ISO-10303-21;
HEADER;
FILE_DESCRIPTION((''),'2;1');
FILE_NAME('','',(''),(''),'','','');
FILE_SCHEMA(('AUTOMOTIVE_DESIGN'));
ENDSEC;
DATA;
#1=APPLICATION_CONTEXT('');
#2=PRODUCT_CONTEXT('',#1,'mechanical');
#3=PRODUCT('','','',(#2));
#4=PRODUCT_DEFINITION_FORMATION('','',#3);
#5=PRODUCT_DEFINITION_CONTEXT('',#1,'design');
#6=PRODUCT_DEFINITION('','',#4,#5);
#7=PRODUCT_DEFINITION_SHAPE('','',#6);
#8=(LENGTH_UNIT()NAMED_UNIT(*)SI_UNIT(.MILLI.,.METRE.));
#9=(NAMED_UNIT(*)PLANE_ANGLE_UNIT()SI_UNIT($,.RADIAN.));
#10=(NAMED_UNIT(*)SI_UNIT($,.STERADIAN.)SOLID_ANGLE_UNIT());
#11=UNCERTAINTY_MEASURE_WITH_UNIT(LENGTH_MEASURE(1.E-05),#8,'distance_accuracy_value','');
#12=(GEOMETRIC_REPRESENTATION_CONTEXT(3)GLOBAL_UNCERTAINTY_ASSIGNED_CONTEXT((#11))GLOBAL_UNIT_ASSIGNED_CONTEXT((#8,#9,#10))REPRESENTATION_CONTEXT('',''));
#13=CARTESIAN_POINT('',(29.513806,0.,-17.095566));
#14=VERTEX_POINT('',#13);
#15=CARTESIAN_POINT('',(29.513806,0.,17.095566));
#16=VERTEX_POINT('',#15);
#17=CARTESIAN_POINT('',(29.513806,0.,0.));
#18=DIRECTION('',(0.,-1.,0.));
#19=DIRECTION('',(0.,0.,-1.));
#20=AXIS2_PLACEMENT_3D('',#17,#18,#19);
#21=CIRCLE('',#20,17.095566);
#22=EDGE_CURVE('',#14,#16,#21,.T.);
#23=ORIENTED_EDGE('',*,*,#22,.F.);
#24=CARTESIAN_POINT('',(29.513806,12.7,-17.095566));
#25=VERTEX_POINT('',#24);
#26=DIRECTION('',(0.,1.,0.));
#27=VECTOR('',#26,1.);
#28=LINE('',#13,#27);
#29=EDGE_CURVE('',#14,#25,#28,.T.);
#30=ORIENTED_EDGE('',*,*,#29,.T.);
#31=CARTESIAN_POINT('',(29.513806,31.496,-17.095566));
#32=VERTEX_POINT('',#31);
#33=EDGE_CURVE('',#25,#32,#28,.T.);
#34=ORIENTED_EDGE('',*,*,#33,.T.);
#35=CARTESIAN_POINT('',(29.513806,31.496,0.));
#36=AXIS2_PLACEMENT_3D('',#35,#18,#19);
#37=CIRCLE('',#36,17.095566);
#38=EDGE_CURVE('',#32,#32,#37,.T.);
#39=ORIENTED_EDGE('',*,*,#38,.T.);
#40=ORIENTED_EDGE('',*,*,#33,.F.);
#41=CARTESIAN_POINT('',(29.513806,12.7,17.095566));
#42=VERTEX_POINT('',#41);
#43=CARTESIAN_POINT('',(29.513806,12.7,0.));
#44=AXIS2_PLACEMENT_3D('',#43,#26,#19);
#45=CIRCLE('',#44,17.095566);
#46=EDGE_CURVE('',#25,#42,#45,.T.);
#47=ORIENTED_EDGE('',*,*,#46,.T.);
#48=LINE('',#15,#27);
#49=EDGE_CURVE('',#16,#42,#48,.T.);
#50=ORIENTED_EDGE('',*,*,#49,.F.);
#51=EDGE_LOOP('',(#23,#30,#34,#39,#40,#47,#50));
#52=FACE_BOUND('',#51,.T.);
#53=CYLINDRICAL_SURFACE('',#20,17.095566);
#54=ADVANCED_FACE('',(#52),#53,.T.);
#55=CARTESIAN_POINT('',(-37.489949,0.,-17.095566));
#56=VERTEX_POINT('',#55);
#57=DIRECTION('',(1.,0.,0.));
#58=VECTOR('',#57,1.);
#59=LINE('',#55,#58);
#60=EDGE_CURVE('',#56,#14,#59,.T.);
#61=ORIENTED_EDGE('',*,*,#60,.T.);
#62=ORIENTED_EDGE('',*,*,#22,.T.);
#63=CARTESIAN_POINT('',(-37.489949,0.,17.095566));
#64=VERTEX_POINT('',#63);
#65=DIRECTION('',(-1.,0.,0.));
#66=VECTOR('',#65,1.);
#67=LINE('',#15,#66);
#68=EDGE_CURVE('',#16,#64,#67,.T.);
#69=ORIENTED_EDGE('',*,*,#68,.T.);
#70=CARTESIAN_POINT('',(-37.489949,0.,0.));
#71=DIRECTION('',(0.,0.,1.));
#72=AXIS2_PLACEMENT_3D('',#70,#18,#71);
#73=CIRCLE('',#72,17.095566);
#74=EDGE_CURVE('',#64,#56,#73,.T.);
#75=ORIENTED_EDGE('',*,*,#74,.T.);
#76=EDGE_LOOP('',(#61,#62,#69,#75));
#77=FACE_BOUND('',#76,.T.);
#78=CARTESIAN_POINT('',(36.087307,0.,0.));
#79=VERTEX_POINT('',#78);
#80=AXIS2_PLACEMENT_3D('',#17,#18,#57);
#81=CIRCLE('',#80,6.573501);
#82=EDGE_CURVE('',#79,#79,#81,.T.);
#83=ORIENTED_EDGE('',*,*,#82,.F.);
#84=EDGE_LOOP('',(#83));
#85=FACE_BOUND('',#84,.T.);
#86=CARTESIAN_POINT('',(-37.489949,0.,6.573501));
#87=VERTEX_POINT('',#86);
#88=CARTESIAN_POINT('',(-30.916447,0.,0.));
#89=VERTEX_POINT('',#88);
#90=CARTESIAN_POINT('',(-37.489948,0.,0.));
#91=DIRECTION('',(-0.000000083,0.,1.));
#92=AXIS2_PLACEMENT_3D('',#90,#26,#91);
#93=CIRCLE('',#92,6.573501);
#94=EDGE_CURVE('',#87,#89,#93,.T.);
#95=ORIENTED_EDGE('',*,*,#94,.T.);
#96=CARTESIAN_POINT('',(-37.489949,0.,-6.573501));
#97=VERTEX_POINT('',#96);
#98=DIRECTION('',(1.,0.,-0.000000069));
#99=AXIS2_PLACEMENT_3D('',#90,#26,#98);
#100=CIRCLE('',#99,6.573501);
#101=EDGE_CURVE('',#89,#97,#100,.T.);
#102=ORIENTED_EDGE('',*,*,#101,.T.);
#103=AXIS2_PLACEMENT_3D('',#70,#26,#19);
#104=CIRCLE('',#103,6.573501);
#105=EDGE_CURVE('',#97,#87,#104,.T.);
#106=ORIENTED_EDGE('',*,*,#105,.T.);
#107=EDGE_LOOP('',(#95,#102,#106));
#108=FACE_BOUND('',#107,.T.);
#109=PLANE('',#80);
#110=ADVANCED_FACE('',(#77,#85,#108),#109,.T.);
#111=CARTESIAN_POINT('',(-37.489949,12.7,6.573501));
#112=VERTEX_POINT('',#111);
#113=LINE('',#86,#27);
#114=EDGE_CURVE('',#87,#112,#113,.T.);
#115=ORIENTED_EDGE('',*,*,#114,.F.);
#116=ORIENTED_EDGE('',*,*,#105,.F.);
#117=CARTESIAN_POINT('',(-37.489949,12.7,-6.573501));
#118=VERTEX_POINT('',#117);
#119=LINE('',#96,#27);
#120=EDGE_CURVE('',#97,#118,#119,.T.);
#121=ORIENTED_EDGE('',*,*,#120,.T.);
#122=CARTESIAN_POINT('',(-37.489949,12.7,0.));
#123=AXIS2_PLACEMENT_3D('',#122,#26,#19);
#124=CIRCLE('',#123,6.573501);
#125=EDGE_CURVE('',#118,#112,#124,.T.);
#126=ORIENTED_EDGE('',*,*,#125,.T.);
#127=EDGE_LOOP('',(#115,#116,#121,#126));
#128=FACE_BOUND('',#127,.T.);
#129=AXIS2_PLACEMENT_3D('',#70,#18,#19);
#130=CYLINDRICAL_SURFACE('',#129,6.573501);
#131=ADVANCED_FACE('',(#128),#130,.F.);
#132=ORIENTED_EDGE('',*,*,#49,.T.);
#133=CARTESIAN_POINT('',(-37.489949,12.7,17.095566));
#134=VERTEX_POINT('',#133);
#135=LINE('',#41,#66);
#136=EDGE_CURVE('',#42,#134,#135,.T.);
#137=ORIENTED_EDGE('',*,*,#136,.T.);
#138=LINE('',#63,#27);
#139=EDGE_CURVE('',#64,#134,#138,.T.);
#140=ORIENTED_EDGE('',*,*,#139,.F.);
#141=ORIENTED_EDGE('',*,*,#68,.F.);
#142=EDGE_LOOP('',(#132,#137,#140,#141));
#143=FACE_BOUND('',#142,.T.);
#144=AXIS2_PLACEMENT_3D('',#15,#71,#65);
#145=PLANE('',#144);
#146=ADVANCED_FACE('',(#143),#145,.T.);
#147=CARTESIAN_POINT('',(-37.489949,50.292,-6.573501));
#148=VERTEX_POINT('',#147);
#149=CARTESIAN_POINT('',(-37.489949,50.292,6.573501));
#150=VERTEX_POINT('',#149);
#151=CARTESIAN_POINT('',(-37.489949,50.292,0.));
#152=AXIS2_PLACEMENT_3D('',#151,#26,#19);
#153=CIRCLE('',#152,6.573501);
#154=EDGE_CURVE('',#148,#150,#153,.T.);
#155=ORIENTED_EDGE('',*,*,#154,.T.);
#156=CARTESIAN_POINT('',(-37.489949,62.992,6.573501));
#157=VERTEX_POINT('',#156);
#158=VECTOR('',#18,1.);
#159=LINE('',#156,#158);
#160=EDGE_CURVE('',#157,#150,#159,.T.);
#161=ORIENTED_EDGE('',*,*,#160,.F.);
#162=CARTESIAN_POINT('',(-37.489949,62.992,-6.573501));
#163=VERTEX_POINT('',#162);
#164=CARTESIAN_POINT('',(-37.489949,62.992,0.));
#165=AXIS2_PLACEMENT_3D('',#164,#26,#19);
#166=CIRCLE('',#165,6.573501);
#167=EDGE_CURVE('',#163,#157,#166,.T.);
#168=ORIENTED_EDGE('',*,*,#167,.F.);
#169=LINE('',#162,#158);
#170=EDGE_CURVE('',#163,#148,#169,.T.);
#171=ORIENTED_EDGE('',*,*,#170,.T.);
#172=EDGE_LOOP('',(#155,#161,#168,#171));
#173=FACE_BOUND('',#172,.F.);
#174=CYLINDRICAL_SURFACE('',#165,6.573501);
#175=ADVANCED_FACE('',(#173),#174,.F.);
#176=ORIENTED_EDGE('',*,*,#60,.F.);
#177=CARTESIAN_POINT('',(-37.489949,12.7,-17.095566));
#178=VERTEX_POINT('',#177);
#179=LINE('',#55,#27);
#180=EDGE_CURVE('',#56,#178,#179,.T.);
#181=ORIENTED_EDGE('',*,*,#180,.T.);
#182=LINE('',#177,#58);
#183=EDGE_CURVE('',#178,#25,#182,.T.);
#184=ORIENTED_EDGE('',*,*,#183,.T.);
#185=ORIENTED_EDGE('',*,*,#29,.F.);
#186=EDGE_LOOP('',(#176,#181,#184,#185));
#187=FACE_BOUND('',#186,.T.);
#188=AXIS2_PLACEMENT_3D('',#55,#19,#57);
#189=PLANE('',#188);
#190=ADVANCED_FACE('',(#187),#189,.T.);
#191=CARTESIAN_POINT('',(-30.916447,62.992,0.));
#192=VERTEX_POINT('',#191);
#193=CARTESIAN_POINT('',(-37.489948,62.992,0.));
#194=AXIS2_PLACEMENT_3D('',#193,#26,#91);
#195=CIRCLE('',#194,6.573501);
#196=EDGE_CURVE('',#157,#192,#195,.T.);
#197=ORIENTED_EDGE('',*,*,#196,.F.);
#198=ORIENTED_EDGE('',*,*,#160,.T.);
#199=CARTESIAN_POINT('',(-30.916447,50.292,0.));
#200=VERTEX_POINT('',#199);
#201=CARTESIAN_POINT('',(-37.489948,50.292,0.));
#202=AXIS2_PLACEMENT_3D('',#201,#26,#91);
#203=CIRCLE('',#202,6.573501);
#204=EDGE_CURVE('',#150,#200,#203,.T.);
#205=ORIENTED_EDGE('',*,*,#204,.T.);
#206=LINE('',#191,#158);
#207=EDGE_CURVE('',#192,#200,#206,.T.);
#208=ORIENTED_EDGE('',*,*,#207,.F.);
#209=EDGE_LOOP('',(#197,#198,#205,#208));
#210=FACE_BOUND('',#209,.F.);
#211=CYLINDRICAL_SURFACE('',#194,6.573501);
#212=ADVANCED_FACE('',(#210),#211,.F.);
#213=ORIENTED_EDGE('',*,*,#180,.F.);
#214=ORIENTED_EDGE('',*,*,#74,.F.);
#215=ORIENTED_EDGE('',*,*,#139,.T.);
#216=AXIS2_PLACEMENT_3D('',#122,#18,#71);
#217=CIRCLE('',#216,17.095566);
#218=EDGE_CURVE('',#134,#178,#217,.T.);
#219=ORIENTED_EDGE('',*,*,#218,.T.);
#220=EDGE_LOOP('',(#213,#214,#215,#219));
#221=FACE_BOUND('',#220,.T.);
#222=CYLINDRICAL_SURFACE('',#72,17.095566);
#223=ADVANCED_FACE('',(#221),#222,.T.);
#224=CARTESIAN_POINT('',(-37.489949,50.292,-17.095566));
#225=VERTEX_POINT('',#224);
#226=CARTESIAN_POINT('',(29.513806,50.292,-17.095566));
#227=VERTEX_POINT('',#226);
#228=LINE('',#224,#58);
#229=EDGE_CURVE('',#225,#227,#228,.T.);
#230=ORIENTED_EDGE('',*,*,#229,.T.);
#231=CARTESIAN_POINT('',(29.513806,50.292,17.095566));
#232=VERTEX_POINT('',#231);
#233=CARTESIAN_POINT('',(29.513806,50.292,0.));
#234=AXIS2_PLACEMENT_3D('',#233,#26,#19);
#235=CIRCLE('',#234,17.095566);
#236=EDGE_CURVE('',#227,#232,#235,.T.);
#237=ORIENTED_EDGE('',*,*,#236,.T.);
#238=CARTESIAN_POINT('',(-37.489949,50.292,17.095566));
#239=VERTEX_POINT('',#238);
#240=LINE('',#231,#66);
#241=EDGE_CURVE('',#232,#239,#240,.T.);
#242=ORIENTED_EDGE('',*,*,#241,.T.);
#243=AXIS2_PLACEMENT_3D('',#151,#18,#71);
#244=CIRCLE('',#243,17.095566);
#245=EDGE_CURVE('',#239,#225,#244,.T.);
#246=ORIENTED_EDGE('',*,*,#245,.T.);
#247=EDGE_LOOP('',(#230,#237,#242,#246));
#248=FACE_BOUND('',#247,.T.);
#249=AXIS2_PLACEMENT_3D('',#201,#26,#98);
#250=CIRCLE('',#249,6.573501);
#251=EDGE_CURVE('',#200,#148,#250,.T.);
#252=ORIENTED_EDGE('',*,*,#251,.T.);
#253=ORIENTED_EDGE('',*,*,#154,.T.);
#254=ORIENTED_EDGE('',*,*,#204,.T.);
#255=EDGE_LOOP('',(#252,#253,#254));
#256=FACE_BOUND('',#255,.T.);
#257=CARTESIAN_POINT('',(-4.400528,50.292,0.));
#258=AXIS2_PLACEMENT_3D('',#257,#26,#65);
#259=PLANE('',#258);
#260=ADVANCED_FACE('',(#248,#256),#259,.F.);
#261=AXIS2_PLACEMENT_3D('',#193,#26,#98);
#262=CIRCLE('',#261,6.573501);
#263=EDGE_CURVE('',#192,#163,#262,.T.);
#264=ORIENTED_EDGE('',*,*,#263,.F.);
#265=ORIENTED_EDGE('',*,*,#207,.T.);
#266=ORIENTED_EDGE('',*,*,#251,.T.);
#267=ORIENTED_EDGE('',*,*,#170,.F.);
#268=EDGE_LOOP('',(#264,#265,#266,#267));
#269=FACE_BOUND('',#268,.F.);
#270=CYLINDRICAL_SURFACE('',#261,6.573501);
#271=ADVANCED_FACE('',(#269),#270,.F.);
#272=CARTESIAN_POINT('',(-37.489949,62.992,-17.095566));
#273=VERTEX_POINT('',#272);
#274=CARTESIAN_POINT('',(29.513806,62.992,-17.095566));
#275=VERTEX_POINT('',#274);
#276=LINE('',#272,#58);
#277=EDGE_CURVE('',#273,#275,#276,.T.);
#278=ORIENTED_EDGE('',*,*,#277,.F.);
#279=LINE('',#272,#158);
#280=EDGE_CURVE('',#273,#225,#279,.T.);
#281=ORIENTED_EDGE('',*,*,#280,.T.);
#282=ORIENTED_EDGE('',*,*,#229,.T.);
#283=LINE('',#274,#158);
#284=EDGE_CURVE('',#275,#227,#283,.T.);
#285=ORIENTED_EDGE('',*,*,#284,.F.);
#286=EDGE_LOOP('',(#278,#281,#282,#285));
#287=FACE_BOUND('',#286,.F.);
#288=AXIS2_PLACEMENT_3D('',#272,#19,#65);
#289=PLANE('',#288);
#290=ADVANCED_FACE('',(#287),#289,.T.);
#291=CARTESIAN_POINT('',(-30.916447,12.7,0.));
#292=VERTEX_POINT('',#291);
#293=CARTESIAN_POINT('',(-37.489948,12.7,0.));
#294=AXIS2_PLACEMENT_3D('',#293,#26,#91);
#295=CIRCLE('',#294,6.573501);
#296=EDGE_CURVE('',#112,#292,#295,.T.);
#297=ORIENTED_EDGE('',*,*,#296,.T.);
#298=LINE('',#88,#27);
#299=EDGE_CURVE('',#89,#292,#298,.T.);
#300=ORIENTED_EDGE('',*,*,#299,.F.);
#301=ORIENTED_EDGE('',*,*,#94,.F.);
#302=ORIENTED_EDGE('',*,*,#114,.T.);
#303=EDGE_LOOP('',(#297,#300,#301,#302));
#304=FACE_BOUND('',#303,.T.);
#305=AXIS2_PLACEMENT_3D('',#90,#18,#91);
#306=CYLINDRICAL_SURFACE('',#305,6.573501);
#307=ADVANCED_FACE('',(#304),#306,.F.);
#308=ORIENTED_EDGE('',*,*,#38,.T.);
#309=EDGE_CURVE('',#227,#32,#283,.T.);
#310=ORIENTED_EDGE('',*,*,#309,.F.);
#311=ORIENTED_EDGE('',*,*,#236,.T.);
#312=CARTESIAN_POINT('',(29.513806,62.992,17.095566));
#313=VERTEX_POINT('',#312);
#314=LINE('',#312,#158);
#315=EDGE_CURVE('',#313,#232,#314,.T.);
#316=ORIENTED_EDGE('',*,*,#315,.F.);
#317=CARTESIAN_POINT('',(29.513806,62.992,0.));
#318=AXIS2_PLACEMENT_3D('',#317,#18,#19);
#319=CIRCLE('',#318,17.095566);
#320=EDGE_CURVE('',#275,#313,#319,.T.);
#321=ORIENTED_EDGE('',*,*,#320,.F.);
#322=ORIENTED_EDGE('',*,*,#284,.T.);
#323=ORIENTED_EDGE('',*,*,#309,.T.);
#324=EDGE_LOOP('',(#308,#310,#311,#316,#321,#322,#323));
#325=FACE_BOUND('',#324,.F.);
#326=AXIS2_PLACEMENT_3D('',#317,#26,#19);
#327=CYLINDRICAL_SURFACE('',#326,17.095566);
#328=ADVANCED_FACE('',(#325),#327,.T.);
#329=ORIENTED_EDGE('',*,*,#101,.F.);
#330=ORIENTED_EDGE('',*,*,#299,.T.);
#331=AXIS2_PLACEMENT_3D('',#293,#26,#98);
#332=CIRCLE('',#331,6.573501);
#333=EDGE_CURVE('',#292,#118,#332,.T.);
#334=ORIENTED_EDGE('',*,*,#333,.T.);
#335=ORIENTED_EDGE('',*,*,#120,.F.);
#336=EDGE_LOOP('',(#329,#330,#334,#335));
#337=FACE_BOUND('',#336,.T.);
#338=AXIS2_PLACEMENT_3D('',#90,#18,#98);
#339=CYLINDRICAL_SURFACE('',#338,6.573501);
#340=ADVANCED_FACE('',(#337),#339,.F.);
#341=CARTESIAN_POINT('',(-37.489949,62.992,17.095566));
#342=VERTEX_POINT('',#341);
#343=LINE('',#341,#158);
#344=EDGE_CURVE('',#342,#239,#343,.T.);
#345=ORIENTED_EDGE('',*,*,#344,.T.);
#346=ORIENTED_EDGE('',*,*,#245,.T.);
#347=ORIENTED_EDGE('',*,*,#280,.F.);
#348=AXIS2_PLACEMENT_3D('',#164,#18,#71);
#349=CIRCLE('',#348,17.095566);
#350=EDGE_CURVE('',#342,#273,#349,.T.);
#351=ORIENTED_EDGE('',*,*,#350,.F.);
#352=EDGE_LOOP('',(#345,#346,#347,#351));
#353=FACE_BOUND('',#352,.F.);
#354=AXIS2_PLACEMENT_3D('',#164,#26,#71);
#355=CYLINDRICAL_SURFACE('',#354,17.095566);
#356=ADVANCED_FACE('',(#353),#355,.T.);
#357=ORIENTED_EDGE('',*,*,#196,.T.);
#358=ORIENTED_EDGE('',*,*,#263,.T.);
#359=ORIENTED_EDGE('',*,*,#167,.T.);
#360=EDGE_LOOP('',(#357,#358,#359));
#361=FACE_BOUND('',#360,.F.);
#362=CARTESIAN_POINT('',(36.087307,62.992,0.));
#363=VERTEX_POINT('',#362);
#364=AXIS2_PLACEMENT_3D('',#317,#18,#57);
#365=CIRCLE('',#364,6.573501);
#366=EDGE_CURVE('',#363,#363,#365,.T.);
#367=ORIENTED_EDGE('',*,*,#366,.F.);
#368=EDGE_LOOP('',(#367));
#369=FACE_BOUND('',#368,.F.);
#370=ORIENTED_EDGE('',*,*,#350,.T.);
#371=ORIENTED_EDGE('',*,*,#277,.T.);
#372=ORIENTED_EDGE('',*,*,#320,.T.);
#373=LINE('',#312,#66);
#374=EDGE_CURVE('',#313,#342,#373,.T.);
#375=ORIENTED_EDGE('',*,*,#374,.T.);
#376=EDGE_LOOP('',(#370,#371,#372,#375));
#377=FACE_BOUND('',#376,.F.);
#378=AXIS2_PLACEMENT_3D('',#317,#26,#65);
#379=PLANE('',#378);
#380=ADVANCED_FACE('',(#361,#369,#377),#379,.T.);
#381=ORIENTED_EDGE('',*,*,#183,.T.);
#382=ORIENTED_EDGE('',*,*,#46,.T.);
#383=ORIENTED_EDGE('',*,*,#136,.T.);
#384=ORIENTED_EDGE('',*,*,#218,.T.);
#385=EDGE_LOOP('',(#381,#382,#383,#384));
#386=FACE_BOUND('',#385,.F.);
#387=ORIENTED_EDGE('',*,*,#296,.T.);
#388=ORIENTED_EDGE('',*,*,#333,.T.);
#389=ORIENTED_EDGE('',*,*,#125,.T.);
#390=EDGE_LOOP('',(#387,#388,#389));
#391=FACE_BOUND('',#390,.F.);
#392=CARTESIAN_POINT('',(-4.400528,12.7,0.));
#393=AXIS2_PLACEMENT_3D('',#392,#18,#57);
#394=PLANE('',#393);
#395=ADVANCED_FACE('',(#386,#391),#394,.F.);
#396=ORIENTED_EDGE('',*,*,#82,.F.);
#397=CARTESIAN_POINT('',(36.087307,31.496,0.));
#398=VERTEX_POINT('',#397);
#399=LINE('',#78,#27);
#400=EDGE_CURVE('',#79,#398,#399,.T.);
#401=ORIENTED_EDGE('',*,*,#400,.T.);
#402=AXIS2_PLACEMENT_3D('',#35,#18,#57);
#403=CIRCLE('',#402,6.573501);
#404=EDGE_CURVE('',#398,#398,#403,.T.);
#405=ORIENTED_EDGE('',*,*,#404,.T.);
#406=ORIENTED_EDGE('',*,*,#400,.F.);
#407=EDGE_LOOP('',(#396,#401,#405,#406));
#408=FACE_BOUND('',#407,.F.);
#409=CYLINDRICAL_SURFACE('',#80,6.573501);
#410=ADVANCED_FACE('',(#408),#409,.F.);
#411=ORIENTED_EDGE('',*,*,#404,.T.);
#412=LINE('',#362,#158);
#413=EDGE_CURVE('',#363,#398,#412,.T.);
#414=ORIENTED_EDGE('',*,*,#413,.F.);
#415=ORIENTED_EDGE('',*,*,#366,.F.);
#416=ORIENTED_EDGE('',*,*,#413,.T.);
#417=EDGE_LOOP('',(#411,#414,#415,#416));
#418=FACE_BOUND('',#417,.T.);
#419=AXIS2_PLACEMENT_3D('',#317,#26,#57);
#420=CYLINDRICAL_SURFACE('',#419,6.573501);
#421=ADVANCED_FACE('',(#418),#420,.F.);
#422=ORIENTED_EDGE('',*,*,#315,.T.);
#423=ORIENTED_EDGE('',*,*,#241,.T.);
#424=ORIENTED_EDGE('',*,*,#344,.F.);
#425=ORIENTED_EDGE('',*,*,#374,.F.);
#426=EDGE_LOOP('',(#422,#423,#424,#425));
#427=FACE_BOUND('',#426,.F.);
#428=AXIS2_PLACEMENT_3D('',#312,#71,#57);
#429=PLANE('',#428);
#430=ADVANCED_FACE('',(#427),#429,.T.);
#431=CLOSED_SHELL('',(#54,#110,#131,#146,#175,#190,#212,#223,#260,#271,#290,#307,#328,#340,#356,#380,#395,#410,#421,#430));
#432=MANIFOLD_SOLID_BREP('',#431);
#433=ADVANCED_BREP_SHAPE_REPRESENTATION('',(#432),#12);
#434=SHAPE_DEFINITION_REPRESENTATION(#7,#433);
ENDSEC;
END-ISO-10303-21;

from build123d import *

# Parameters (mm, degrees)
F1_DEPTH = 12.7
F0_R     = 6.573501
F2_DEPTH = 31.496


with BuildPart() as f1:
    # F0 (on Front) → F1 (new body)
    with BuildSketch(Plane.XZ):
        with BuildLine():
            Line((-37.489949, -17.095566), (29.513806, -17.095566))
            ThreePointArc((29.513806, -17.095566), (12.41824, 0), (29.513806, 17.095566))
            Line((29.513806, 17.095566), (-37.489949, 17.095566))
            Line((-37.489949, 17.095566), (-37.489949, 6.573501))
            ThreePointArc((-37.489949, 6.573501), (-32.841781, 4.648167), (-30.916447, 0))
            ThreePointArc((-30.916447, 0), (-32.841781, -4.648167), (-37.489949, -6.573501))
            Line((-37.489949, -6.573501), (-37.489949, -17.095566))
        make_face()
        with BuildLine():
            ThreePointArc((-37.489949, 17.095566), (-54.585515, 0), (-37.489949, -17.095566))
            Line((-37.489949, -17.095566), (-37.489949, -6.573501))
            ThreePointArc((-37.489949, -6.573501), (-44.06345, 0), (-37.489949, 6.573501))
            Line((-37.489949, 6.573501), (-37.489949, 17.095566))
        make_face()
    extrude(amount=-F1_DEPTH)

    # F0 (on Front) → F2 (join)
    with BuildSketch(Plane.XZ):
        with BuildLine():
            ThreePointArc((29.513806, 17.095566), (12.41824, 0), (29.513806, -17.095566))
            ThreePointArc((29.513806, -17.095566), (46.609372, 0), (29.513806, 17.095566))
        make_face()
        with Locations((29.513806, 0)):
            Circle(F0_R, mode=Mode.SUBTRACT)
    extrude(amount=-F2_DEPTH)

    # F3: F1 across face


with BuildPart() as f1_1:
    add(f1.part)
    add(f1.part.mirror(Plane(origin=(29.513806, 31.496, 0), x_dir=(1, 0, 0), z_dir=(0, 1, 0))))


solid = f1_1.part
